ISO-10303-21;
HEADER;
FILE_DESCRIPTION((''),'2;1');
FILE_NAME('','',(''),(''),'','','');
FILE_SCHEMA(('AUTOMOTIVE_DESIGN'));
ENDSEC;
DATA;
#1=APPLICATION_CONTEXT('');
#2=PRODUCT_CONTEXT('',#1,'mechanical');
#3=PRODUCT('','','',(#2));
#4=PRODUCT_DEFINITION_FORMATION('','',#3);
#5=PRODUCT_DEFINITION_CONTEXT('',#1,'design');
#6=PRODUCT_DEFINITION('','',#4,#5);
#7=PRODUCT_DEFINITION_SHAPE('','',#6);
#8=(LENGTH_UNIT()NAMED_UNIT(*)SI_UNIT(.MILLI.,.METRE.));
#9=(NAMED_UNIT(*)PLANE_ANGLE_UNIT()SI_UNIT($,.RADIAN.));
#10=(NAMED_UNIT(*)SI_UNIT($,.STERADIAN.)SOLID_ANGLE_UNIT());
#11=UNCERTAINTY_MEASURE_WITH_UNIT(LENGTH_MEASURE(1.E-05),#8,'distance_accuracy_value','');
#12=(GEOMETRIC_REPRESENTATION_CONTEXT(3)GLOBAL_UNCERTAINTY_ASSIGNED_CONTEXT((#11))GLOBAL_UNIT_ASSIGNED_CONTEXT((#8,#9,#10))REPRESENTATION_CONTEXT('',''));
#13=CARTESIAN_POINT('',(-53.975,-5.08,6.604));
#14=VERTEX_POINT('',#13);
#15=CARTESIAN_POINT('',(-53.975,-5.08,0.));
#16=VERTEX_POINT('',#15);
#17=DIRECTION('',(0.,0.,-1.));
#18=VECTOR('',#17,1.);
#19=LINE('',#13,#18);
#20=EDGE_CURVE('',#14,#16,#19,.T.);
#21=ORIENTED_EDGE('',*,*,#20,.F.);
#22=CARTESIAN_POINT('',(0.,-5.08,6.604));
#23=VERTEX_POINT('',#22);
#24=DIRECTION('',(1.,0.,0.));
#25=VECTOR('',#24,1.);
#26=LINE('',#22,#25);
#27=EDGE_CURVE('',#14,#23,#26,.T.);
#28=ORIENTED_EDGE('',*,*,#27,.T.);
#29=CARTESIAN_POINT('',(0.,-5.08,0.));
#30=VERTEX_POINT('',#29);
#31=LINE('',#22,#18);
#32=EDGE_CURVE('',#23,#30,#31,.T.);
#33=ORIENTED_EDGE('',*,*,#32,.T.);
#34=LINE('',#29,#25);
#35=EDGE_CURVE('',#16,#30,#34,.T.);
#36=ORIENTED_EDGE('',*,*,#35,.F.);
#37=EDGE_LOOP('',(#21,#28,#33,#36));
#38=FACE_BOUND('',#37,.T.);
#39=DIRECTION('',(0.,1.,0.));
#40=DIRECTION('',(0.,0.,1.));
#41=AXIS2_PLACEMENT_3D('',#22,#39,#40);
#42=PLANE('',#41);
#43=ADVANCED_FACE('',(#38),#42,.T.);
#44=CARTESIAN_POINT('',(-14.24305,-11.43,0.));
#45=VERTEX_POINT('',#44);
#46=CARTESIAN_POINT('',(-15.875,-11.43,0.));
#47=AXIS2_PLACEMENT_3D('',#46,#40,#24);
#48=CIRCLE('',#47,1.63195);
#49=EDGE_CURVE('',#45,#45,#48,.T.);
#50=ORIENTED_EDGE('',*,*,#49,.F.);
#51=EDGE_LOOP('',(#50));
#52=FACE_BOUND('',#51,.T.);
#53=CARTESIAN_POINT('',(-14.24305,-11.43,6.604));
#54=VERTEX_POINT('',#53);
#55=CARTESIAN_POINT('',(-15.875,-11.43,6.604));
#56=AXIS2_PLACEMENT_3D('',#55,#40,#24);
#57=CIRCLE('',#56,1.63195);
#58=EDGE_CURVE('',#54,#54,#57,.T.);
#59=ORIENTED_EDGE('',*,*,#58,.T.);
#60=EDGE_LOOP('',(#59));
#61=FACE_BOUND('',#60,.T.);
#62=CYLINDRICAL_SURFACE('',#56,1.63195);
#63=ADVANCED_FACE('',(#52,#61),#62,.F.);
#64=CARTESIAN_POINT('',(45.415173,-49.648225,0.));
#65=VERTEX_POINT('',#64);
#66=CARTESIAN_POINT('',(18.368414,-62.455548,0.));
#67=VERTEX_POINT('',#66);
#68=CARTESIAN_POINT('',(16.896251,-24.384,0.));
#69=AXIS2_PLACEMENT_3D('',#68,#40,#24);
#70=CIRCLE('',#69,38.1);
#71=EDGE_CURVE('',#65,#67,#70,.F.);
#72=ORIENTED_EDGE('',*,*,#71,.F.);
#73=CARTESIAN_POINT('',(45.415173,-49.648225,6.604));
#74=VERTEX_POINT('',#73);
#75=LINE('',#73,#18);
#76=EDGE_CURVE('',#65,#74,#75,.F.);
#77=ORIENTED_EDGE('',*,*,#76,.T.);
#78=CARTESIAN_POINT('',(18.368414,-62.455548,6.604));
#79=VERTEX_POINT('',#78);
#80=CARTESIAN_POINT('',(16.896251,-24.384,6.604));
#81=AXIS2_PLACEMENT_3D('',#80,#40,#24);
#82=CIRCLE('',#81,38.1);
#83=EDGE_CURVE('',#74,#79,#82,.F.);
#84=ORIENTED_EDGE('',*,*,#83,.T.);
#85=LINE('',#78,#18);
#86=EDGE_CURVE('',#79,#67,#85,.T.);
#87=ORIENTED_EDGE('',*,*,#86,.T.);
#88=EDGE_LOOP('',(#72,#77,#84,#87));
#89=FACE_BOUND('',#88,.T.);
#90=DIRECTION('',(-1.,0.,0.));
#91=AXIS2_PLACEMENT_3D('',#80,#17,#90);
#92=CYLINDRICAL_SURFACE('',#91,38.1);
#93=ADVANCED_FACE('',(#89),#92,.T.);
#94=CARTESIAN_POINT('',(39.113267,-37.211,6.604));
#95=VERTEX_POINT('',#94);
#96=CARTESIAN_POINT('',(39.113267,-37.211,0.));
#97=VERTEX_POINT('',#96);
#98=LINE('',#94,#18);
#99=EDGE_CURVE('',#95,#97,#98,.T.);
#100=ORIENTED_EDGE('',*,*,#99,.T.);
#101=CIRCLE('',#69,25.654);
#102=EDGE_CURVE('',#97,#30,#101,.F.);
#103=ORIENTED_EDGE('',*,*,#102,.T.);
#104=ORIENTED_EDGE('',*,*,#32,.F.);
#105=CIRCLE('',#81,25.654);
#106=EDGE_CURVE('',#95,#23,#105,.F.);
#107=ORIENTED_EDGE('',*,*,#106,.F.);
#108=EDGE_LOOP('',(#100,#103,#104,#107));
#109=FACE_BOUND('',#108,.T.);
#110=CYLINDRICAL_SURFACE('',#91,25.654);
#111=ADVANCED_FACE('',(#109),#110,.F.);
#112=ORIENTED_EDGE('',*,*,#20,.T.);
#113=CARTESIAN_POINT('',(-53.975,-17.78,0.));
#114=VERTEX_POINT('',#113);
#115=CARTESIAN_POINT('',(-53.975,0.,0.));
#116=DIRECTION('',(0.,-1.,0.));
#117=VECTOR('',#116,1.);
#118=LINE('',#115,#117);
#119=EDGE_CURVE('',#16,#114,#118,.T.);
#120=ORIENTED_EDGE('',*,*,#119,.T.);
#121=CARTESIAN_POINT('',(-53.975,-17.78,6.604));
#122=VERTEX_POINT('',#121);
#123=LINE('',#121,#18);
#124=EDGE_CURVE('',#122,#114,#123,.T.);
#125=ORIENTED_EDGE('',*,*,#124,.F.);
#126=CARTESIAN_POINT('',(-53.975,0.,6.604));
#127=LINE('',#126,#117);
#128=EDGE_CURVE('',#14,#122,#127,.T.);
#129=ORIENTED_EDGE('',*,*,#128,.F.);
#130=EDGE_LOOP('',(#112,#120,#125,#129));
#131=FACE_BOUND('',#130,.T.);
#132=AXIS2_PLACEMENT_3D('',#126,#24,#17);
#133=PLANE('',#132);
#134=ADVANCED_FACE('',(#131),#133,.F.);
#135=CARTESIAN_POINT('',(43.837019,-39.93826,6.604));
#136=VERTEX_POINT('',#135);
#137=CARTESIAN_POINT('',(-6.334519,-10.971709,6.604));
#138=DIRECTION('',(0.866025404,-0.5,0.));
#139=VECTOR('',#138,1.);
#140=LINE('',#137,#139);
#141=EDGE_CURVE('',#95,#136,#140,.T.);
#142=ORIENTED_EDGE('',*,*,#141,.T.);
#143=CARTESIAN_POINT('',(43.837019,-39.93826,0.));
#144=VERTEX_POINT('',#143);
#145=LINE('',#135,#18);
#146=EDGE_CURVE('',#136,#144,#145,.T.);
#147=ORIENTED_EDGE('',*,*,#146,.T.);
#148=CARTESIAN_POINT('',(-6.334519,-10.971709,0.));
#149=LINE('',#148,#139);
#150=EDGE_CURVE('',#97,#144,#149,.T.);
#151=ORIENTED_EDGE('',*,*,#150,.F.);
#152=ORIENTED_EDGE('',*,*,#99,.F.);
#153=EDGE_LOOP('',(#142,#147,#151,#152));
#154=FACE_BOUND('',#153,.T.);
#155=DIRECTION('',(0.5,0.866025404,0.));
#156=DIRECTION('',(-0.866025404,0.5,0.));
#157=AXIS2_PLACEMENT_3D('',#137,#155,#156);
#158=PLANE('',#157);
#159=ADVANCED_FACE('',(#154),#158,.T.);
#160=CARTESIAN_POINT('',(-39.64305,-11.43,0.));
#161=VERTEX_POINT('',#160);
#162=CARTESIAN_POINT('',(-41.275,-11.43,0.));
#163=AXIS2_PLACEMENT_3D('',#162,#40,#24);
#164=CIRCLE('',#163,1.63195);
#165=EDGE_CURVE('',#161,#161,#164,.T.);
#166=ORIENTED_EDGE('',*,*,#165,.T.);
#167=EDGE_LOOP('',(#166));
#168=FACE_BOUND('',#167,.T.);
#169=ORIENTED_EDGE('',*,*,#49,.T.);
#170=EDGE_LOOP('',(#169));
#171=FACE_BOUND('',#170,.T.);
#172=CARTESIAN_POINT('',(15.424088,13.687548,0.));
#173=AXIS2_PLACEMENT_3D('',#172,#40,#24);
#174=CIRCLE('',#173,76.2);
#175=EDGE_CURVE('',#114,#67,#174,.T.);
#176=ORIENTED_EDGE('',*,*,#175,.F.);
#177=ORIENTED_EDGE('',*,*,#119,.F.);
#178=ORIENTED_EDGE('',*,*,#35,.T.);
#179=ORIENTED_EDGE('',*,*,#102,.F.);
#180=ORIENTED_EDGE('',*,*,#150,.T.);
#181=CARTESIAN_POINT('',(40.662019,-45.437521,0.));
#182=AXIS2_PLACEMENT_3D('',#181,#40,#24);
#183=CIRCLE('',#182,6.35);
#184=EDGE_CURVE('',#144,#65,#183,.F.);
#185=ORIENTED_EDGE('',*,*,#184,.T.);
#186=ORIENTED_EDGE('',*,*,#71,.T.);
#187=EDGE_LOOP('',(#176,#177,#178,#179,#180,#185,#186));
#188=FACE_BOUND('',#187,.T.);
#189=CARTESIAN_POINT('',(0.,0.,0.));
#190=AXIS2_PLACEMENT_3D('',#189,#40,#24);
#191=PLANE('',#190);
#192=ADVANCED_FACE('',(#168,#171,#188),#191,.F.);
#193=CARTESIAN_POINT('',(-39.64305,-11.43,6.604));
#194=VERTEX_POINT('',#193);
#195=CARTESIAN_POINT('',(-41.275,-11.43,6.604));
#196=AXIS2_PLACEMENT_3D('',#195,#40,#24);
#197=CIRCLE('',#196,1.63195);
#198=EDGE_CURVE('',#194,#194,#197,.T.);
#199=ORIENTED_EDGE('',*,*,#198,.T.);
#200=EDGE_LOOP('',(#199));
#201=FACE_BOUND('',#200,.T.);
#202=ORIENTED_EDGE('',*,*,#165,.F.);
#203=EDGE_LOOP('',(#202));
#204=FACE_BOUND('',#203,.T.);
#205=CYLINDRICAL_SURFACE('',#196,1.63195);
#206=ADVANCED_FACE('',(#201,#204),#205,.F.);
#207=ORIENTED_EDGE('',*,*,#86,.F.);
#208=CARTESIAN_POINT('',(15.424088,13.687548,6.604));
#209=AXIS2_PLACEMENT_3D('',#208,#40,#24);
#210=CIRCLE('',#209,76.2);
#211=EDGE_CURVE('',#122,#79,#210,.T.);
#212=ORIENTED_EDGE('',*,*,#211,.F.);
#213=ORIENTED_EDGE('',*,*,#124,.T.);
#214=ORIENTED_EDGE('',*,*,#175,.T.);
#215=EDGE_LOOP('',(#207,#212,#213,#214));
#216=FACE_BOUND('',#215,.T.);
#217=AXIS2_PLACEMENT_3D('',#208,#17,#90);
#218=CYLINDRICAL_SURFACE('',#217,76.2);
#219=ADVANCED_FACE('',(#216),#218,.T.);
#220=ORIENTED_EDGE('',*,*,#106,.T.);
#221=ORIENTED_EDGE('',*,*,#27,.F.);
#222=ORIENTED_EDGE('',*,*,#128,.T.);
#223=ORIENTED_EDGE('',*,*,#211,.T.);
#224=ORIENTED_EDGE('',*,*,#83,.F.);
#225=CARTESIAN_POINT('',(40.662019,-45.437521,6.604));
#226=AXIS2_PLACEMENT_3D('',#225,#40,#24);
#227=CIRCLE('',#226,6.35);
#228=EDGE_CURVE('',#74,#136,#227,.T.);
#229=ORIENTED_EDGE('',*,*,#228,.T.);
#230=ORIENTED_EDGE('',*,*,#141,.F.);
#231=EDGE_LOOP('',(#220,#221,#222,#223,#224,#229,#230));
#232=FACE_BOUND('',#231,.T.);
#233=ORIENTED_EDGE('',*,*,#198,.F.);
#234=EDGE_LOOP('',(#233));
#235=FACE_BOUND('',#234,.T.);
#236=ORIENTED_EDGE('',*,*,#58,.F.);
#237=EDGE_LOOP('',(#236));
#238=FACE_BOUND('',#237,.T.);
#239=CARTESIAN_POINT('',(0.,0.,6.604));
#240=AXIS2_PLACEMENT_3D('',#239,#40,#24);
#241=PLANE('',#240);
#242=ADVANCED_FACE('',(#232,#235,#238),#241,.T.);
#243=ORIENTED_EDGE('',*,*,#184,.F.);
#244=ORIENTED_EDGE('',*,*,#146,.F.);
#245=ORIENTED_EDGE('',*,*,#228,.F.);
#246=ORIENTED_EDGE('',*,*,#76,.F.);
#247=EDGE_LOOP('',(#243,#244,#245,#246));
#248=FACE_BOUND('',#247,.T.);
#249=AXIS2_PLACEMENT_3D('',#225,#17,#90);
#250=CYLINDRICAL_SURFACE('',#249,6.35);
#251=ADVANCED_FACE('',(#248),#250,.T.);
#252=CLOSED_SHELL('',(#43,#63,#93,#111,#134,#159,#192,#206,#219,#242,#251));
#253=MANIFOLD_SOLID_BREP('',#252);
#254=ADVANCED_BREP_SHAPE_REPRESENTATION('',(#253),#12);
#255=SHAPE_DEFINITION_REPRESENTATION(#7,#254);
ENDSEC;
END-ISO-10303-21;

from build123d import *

# Parameters (mm, degrees)
BOSS_EXTRUDE1_DEPTH       = 6.604
FILLET1_R                 = 6.35
F_4_CLEARANCE_HOLE1_D     = 3.2639
F_4_CLEARANCE_HOLE1_DEPTH = 9.652
F_4_CLEARANCE_HOLE1_TIP   = 0.980574487


with BuildPart() as part:
    # Sketch1 → Boss-Extrude1 (new body)
    with BuildSketch(Plane.XY):
        with BuildLine():
            Line((-6.35, -5.08), (-53.975, -5.08))
            Line((-53.975, -5.08), (-53.975, -17.78))
            ThreePointArc((-53.975, -17.78), (-24.613831362, -51.146124163), (18.36841389, -62.455547599))
            ThreePointArc((18.36841389, -62.455547599), (36.58027843, -57.005297746), (49.891818948, -43.434))
            Line((49.891818948, -43.434), (39.113266772, -37.211))
            ThreePointArc((39.113266772, -37.211), (0.611966481, -44.206961223), (0, -5.08))
            Line((0, -5.08), (-6.35, -5.08))
        make_face()
    extrude(amount=BOSS_EXTRUDE1_DEPTH)

    # Fillet1
    fillet1_edges = [part.edges().sort_by_distance(p)[0] for p in [
        (49.891818948, -43.434, 3.302),
    ]]
    fillet(fillet1_edges, radius=FILLET1_R)

    # #4 Clearance Hole1
    with Locations(Plane(origin=(-15.875, -11.43, 6.604), x_dir=(1, 0, 0), z_dir=(0, 0, 1))):
        with Locations((0, 0), (-25.4, 0)):
            Hole(F_4_CLEARANCE_HOLE1_D / 2, depth=F_4_CLEARANCE_HOLE1_DEPTH)
            with Locations((0, 0, -(F_4_CLEARANCE_HOLE1_DEPTH + F_4_CLEARANCE_HOLE1_TIP / 2))):  # 118° drill point
                Cone(0, F_4_CLEARANCE_HOLE1_D / 2, F_4_CLEARANCE_HOLE1_TIP, mode=Mode.SUBTRACT)


solid = part.part
